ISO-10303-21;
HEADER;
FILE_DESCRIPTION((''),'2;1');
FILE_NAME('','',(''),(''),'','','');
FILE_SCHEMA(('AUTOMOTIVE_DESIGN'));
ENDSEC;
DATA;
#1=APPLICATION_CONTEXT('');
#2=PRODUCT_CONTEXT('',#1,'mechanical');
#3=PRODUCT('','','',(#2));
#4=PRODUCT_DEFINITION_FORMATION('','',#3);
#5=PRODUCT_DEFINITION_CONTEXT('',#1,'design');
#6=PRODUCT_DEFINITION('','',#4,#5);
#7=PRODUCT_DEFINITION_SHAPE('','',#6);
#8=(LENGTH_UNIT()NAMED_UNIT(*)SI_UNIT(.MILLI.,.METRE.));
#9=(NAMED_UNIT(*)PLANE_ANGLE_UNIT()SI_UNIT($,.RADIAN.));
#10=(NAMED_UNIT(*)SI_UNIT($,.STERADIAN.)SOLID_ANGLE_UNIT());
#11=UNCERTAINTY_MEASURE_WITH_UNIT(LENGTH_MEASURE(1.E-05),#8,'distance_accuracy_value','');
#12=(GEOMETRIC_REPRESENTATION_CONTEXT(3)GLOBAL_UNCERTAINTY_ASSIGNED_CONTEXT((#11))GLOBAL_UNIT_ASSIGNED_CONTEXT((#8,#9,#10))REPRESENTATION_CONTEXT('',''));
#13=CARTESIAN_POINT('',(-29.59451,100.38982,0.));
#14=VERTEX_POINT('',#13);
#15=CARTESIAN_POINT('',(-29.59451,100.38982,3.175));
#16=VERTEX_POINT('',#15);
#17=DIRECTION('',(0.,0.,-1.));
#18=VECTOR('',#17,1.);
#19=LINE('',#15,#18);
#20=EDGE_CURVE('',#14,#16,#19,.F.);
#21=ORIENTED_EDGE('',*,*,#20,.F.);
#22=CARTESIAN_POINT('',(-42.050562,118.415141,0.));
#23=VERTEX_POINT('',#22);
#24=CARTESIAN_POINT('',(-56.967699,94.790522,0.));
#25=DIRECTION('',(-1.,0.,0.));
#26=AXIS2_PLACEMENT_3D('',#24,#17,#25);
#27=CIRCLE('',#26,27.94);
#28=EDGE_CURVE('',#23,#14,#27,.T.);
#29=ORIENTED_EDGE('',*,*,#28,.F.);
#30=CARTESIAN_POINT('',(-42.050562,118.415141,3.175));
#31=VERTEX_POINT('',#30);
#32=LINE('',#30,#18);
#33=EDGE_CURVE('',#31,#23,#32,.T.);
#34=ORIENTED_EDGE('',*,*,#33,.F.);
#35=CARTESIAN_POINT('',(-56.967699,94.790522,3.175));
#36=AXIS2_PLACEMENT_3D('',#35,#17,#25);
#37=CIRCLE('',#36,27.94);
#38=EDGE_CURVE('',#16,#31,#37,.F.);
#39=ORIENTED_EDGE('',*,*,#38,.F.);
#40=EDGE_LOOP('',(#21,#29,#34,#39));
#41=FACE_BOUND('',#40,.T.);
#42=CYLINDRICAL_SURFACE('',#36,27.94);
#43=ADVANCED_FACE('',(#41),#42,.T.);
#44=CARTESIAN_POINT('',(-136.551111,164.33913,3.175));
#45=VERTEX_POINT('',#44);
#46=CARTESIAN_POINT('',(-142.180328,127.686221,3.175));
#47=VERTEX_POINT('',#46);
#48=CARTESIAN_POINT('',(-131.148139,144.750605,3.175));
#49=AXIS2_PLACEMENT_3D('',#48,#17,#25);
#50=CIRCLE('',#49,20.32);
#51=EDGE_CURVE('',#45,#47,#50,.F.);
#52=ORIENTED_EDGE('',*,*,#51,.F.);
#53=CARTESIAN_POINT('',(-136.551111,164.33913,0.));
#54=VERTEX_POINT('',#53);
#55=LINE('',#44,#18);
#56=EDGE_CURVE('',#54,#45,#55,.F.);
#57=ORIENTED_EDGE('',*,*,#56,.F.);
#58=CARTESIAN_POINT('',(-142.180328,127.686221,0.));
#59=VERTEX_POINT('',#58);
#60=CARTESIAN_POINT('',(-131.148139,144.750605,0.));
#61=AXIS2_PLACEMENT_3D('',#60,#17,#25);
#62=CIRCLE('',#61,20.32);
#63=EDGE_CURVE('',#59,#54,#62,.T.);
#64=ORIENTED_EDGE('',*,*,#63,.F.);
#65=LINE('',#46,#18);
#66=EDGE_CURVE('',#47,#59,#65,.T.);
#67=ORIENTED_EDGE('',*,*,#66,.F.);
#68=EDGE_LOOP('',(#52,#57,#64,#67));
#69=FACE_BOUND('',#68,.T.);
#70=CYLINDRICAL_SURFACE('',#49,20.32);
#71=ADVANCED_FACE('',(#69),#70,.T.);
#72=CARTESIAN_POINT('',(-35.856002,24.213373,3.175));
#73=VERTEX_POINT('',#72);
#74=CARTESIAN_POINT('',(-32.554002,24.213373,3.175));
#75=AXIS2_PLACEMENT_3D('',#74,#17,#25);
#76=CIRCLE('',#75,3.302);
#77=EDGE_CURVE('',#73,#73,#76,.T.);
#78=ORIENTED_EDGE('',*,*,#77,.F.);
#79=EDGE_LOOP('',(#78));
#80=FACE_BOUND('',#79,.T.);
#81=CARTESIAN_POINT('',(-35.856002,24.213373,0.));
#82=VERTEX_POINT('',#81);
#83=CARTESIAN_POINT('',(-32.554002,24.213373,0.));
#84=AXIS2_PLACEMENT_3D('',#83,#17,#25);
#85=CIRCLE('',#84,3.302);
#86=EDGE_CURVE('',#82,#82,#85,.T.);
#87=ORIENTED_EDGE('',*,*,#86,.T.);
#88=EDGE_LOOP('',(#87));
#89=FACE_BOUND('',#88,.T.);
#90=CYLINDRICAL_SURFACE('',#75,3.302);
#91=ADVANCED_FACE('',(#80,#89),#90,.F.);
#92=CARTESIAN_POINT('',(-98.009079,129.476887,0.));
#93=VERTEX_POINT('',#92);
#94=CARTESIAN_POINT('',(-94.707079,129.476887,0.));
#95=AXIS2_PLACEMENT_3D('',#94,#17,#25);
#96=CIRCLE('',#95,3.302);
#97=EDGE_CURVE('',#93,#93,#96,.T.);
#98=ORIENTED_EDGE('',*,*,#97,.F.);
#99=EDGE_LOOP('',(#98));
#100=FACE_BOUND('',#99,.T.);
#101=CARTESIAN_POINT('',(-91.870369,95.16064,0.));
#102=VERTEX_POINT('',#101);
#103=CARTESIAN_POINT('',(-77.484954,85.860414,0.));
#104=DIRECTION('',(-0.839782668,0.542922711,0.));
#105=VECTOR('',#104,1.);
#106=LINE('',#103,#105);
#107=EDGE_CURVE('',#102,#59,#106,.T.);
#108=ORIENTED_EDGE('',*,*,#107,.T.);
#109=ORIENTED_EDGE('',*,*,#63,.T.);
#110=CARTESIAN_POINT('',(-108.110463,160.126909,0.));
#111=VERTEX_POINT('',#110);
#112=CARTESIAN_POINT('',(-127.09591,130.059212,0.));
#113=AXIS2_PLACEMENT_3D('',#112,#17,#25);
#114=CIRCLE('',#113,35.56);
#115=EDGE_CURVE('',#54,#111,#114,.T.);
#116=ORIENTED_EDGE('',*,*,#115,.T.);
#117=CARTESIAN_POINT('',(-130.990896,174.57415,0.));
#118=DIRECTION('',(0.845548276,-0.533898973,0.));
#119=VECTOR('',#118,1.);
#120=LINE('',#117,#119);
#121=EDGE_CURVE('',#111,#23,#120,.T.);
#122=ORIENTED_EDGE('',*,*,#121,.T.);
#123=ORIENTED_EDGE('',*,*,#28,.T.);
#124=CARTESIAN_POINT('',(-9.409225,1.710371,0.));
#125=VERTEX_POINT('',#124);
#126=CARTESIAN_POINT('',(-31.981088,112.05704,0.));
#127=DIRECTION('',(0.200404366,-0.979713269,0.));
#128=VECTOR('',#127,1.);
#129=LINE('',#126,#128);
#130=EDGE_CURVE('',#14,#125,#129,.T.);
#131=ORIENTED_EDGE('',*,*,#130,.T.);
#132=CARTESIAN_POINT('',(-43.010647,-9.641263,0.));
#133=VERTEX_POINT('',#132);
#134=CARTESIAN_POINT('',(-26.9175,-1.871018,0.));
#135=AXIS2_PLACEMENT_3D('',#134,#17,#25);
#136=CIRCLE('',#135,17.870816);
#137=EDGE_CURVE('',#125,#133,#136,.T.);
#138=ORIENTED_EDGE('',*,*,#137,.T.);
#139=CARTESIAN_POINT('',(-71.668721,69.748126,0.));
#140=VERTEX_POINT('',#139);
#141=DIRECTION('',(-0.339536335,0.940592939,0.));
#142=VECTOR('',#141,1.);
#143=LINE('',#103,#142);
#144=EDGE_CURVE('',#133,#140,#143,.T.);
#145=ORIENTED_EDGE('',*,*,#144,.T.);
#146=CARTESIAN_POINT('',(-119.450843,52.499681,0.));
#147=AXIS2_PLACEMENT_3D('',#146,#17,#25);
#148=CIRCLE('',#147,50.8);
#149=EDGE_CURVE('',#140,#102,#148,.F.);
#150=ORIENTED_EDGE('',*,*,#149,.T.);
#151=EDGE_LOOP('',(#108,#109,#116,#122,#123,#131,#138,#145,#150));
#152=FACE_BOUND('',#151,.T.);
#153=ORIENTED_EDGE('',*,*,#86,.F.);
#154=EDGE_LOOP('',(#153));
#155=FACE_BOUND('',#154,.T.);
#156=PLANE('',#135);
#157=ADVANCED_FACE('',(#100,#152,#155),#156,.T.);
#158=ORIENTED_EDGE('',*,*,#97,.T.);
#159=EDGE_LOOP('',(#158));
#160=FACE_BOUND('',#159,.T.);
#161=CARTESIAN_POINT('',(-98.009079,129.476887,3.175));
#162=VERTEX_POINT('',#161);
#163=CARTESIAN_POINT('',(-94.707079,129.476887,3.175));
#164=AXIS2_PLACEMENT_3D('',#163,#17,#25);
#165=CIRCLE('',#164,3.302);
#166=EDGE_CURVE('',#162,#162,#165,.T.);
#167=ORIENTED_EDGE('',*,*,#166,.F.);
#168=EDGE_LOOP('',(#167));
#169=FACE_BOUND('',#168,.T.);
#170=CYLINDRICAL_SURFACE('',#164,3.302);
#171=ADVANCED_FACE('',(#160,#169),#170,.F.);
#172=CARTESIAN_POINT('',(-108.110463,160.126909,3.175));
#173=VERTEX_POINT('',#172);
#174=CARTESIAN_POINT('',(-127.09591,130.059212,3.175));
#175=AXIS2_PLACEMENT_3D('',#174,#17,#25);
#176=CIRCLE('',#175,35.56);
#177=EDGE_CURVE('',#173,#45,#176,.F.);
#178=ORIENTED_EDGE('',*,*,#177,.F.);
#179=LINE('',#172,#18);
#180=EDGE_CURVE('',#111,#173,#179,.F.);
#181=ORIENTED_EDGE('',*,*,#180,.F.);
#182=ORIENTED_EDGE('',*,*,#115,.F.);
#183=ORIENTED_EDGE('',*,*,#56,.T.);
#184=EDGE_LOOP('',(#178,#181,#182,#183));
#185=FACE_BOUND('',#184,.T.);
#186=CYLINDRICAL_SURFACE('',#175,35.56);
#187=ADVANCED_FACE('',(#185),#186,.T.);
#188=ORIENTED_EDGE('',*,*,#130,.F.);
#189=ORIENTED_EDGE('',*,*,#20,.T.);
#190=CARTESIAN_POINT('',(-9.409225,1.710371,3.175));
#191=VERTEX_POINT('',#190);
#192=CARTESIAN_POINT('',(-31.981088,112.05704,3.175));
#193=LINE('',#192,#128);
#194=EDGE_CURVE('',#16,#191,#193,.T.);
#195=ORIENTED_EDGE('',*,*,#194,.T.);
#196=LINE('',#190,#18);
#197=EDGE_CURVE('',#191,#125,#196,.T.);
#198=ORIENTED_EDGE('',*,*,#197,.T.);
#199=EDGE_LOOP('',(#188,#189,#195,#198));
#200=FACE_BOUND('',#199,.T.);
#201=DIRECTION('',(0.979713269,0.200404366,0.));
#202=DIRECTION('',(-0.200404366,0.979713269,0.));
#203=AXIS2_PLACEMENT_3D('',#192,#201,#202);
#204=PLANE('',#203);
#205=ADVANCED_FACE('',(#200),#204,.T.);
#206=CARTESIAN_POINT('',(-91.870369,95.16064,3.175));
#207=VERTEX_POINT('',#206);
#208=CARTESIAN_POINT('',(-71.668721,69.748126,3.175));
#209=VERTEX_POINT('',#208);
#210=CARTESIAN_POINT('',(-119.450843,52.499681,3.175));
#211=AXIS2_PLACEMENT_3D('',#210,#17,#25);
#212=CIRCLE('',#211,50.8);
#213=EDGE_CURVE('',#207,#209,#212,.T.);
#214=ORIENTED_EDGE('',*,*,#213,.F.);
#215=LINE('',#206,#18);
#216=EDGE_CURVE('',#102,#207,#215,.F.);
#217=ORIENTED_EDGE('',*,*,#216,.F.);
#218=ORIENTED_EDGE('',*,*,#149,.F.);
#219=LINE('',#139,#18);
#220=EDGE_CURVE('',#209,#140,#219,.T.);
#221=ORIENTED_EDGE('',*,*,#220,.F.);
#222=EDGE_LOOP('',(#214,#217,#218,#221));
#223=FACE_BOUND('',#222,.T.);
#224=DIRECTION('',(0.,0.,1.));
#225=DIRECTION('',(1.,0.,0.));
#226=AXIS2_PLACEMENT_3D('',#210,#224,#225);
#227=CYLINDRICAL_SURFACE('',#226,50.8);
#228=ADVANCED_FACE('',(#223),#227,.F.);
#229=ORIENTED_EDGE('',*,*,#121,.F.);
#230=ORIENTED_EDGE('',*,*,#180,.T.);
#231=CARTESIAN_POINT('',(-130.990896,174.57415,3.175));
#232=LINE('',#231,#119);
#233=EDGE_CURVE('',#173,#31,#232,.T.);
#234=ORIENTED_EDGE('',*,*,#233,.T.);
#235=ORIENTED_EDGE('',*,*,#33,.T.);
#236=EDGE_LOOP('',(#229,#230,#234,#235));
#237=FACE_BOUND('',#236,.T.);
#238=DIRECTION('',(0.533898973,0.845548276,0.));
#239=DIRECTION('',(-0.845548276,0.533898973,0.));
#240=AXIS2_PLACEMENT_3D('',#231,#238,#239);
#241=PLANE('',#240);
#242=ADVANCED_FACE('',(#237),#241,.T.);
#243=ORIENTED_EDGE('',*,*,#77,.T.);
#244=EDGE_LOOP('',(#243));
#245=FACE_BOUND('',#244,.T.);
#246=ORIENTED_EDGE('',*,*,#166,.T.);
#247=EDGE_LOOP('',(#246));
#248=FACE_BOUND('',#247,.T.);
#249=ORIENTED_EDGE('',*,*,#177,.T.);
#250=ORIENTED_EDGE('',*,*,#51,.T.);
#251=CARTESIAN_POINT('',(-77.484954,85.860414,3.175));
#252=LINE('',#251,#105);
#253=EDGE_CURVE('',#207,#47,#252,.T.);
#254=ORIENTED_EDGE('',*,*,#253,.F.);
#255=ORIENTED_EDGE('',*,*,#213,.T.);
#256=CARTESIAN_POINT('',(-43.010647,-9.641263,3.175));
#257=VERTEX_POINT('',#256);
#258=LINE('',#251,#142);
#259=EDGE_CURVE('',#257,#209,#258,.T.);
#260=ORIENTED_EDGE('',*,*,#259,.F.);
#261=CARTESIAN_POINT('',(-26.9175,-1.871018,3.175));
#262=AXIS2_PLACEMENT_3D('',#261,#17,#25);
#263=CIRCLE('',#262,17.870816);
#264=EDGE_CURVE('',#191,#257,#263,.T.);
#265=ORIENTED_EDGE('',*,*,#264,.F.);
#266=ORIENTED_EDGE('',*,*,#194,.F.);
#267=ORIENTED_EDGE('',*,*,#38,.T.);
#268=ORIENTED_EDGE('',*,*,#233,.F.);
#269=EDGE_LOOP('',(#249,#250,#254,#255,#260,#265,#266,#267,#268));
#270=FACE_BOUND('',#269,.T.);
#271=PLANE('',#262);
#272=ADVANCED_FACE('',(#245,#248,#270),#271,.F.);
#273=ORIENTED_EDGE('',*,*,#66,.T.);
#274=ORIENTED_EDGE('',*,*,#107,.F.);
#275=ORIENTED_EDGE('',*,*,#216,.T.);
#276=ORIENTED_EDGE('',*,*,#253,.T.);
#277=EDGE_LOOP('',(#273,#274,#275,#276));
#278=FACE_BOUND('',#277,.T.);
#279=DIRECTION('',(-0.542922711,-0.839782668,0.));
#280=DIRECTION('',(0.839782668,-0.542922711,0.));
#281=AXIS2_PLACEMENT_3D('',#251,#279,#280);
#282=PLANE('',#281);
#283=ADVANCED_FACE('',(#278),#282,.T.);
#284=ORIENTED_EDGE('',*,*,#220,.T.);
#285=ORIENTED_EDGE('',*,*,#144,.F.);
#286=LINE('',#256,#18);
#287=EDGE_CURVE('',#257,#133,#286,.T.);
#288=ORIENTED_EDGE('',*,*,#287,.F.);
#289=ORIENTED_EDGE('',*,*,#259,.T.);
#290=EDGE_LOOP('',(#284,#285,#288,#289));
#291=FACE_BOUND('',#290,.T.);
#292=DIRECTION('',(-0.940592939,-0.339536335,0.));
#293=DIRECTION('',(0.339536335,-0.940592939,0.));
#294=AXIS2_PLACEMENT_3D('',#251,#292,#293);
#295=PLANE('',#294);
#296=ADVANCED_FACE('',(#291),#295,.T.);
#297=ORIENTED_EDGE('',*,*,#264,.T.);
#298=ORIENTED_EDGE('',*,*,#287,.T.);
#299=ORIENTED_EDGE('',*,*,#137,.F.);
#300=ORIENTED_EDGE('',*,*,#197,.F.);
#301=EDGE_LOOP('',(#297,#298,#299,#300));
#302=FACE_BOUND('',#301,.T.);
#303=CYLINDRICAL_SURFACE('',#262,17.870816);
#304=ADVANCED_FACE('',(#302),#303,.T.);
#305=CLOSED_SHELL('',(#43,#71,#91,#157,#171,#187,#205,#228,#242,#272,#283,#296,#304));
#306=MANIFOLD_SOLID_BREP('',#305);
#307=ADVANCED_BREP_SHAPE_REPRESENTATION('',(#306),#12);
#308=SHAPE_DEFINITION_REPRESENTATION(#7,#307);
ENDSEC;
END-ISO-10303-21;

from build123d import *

# Parameters (mm, degrees)
SKETCH1_R           = 3.302
BOSS_EXTRUDE1_DEPTH = 3.175
FILLET6_R           = 35.56
FILLET10_R          = 27.94
FILLET13_R          = 50.8
FILLET16_R          = 20.32


with BuildPart() as part:
    # Sketch1 → Boss-Extrude1 (new body)
    with BuildSketch(Plane(origin=(0, 0, 0), x_dir=(-1, 0, 0), z_dir=(0, 0, -1))):
        with BuildLine():
            Line((165.785053206, 142.946766421), (130.990896358, 174.574150067))
            Line((130.990896358, 174.574150067), (31.981087973, 112.057039535))
            Line((31.981087973, 112.057039535), (9.409224511, 1.710371233))
            ThreePointArc((9.409224511, 1.710371233), (21.197749586, -18.801775256), (43.01064713, -9.641263383))
            Line((43.01064713, -9.641263383), (77.484953862, 85.860414024))
            Line((77.484953862, 85.860414024), (165.785053206, 142.946766421))
        make_face()
        with Locations((32.554001794, 24.213373462)):
            Circle(SKETCH1_R, mode=Mode.SUBTRACT)
        with Locations((94.707078764, 129.476886965)):
            Circle(SKETCH1_R, mode=Mode.SUBTRACT)
    extrude(amount=-BOSS_EXTRUDE1_DEPTH)

    # Fillet6
    fillet6_edges = [part.edges().sort_by_distance(p)[0] for p in [
        (-130.990896358, 174.574150067, 1.5875),
    ]]
    fillet(fillet6_edges, radius=FILLET6_R)

    # Fillet10
    fillet10_edges = [part.edges().sort_by_distance(p)[0] for p in [
        (-31.981087973, 112.057039535, 1.5875),
    ]]
    fillet(fillet10_edges, radius=FILLET10_R)

    # Fillet13
    fillet13_edges = [part.edges().sort_by_distance(p)[0] for p in [
        (-77.484953862, 85.860414024, 1.5875),
    ]]
    fillet(fillet13_edges, radius=FILLET13_R)

    # Fillet16
    fillet16_edges = [part.edges().sort_by_distance(p)[0] for p in [
        (-165.785053206, 142.946766421, 1.5875),
    ]]
    fillet(fillet16_edges, radius=FILLET16_R)


solid = part.part
